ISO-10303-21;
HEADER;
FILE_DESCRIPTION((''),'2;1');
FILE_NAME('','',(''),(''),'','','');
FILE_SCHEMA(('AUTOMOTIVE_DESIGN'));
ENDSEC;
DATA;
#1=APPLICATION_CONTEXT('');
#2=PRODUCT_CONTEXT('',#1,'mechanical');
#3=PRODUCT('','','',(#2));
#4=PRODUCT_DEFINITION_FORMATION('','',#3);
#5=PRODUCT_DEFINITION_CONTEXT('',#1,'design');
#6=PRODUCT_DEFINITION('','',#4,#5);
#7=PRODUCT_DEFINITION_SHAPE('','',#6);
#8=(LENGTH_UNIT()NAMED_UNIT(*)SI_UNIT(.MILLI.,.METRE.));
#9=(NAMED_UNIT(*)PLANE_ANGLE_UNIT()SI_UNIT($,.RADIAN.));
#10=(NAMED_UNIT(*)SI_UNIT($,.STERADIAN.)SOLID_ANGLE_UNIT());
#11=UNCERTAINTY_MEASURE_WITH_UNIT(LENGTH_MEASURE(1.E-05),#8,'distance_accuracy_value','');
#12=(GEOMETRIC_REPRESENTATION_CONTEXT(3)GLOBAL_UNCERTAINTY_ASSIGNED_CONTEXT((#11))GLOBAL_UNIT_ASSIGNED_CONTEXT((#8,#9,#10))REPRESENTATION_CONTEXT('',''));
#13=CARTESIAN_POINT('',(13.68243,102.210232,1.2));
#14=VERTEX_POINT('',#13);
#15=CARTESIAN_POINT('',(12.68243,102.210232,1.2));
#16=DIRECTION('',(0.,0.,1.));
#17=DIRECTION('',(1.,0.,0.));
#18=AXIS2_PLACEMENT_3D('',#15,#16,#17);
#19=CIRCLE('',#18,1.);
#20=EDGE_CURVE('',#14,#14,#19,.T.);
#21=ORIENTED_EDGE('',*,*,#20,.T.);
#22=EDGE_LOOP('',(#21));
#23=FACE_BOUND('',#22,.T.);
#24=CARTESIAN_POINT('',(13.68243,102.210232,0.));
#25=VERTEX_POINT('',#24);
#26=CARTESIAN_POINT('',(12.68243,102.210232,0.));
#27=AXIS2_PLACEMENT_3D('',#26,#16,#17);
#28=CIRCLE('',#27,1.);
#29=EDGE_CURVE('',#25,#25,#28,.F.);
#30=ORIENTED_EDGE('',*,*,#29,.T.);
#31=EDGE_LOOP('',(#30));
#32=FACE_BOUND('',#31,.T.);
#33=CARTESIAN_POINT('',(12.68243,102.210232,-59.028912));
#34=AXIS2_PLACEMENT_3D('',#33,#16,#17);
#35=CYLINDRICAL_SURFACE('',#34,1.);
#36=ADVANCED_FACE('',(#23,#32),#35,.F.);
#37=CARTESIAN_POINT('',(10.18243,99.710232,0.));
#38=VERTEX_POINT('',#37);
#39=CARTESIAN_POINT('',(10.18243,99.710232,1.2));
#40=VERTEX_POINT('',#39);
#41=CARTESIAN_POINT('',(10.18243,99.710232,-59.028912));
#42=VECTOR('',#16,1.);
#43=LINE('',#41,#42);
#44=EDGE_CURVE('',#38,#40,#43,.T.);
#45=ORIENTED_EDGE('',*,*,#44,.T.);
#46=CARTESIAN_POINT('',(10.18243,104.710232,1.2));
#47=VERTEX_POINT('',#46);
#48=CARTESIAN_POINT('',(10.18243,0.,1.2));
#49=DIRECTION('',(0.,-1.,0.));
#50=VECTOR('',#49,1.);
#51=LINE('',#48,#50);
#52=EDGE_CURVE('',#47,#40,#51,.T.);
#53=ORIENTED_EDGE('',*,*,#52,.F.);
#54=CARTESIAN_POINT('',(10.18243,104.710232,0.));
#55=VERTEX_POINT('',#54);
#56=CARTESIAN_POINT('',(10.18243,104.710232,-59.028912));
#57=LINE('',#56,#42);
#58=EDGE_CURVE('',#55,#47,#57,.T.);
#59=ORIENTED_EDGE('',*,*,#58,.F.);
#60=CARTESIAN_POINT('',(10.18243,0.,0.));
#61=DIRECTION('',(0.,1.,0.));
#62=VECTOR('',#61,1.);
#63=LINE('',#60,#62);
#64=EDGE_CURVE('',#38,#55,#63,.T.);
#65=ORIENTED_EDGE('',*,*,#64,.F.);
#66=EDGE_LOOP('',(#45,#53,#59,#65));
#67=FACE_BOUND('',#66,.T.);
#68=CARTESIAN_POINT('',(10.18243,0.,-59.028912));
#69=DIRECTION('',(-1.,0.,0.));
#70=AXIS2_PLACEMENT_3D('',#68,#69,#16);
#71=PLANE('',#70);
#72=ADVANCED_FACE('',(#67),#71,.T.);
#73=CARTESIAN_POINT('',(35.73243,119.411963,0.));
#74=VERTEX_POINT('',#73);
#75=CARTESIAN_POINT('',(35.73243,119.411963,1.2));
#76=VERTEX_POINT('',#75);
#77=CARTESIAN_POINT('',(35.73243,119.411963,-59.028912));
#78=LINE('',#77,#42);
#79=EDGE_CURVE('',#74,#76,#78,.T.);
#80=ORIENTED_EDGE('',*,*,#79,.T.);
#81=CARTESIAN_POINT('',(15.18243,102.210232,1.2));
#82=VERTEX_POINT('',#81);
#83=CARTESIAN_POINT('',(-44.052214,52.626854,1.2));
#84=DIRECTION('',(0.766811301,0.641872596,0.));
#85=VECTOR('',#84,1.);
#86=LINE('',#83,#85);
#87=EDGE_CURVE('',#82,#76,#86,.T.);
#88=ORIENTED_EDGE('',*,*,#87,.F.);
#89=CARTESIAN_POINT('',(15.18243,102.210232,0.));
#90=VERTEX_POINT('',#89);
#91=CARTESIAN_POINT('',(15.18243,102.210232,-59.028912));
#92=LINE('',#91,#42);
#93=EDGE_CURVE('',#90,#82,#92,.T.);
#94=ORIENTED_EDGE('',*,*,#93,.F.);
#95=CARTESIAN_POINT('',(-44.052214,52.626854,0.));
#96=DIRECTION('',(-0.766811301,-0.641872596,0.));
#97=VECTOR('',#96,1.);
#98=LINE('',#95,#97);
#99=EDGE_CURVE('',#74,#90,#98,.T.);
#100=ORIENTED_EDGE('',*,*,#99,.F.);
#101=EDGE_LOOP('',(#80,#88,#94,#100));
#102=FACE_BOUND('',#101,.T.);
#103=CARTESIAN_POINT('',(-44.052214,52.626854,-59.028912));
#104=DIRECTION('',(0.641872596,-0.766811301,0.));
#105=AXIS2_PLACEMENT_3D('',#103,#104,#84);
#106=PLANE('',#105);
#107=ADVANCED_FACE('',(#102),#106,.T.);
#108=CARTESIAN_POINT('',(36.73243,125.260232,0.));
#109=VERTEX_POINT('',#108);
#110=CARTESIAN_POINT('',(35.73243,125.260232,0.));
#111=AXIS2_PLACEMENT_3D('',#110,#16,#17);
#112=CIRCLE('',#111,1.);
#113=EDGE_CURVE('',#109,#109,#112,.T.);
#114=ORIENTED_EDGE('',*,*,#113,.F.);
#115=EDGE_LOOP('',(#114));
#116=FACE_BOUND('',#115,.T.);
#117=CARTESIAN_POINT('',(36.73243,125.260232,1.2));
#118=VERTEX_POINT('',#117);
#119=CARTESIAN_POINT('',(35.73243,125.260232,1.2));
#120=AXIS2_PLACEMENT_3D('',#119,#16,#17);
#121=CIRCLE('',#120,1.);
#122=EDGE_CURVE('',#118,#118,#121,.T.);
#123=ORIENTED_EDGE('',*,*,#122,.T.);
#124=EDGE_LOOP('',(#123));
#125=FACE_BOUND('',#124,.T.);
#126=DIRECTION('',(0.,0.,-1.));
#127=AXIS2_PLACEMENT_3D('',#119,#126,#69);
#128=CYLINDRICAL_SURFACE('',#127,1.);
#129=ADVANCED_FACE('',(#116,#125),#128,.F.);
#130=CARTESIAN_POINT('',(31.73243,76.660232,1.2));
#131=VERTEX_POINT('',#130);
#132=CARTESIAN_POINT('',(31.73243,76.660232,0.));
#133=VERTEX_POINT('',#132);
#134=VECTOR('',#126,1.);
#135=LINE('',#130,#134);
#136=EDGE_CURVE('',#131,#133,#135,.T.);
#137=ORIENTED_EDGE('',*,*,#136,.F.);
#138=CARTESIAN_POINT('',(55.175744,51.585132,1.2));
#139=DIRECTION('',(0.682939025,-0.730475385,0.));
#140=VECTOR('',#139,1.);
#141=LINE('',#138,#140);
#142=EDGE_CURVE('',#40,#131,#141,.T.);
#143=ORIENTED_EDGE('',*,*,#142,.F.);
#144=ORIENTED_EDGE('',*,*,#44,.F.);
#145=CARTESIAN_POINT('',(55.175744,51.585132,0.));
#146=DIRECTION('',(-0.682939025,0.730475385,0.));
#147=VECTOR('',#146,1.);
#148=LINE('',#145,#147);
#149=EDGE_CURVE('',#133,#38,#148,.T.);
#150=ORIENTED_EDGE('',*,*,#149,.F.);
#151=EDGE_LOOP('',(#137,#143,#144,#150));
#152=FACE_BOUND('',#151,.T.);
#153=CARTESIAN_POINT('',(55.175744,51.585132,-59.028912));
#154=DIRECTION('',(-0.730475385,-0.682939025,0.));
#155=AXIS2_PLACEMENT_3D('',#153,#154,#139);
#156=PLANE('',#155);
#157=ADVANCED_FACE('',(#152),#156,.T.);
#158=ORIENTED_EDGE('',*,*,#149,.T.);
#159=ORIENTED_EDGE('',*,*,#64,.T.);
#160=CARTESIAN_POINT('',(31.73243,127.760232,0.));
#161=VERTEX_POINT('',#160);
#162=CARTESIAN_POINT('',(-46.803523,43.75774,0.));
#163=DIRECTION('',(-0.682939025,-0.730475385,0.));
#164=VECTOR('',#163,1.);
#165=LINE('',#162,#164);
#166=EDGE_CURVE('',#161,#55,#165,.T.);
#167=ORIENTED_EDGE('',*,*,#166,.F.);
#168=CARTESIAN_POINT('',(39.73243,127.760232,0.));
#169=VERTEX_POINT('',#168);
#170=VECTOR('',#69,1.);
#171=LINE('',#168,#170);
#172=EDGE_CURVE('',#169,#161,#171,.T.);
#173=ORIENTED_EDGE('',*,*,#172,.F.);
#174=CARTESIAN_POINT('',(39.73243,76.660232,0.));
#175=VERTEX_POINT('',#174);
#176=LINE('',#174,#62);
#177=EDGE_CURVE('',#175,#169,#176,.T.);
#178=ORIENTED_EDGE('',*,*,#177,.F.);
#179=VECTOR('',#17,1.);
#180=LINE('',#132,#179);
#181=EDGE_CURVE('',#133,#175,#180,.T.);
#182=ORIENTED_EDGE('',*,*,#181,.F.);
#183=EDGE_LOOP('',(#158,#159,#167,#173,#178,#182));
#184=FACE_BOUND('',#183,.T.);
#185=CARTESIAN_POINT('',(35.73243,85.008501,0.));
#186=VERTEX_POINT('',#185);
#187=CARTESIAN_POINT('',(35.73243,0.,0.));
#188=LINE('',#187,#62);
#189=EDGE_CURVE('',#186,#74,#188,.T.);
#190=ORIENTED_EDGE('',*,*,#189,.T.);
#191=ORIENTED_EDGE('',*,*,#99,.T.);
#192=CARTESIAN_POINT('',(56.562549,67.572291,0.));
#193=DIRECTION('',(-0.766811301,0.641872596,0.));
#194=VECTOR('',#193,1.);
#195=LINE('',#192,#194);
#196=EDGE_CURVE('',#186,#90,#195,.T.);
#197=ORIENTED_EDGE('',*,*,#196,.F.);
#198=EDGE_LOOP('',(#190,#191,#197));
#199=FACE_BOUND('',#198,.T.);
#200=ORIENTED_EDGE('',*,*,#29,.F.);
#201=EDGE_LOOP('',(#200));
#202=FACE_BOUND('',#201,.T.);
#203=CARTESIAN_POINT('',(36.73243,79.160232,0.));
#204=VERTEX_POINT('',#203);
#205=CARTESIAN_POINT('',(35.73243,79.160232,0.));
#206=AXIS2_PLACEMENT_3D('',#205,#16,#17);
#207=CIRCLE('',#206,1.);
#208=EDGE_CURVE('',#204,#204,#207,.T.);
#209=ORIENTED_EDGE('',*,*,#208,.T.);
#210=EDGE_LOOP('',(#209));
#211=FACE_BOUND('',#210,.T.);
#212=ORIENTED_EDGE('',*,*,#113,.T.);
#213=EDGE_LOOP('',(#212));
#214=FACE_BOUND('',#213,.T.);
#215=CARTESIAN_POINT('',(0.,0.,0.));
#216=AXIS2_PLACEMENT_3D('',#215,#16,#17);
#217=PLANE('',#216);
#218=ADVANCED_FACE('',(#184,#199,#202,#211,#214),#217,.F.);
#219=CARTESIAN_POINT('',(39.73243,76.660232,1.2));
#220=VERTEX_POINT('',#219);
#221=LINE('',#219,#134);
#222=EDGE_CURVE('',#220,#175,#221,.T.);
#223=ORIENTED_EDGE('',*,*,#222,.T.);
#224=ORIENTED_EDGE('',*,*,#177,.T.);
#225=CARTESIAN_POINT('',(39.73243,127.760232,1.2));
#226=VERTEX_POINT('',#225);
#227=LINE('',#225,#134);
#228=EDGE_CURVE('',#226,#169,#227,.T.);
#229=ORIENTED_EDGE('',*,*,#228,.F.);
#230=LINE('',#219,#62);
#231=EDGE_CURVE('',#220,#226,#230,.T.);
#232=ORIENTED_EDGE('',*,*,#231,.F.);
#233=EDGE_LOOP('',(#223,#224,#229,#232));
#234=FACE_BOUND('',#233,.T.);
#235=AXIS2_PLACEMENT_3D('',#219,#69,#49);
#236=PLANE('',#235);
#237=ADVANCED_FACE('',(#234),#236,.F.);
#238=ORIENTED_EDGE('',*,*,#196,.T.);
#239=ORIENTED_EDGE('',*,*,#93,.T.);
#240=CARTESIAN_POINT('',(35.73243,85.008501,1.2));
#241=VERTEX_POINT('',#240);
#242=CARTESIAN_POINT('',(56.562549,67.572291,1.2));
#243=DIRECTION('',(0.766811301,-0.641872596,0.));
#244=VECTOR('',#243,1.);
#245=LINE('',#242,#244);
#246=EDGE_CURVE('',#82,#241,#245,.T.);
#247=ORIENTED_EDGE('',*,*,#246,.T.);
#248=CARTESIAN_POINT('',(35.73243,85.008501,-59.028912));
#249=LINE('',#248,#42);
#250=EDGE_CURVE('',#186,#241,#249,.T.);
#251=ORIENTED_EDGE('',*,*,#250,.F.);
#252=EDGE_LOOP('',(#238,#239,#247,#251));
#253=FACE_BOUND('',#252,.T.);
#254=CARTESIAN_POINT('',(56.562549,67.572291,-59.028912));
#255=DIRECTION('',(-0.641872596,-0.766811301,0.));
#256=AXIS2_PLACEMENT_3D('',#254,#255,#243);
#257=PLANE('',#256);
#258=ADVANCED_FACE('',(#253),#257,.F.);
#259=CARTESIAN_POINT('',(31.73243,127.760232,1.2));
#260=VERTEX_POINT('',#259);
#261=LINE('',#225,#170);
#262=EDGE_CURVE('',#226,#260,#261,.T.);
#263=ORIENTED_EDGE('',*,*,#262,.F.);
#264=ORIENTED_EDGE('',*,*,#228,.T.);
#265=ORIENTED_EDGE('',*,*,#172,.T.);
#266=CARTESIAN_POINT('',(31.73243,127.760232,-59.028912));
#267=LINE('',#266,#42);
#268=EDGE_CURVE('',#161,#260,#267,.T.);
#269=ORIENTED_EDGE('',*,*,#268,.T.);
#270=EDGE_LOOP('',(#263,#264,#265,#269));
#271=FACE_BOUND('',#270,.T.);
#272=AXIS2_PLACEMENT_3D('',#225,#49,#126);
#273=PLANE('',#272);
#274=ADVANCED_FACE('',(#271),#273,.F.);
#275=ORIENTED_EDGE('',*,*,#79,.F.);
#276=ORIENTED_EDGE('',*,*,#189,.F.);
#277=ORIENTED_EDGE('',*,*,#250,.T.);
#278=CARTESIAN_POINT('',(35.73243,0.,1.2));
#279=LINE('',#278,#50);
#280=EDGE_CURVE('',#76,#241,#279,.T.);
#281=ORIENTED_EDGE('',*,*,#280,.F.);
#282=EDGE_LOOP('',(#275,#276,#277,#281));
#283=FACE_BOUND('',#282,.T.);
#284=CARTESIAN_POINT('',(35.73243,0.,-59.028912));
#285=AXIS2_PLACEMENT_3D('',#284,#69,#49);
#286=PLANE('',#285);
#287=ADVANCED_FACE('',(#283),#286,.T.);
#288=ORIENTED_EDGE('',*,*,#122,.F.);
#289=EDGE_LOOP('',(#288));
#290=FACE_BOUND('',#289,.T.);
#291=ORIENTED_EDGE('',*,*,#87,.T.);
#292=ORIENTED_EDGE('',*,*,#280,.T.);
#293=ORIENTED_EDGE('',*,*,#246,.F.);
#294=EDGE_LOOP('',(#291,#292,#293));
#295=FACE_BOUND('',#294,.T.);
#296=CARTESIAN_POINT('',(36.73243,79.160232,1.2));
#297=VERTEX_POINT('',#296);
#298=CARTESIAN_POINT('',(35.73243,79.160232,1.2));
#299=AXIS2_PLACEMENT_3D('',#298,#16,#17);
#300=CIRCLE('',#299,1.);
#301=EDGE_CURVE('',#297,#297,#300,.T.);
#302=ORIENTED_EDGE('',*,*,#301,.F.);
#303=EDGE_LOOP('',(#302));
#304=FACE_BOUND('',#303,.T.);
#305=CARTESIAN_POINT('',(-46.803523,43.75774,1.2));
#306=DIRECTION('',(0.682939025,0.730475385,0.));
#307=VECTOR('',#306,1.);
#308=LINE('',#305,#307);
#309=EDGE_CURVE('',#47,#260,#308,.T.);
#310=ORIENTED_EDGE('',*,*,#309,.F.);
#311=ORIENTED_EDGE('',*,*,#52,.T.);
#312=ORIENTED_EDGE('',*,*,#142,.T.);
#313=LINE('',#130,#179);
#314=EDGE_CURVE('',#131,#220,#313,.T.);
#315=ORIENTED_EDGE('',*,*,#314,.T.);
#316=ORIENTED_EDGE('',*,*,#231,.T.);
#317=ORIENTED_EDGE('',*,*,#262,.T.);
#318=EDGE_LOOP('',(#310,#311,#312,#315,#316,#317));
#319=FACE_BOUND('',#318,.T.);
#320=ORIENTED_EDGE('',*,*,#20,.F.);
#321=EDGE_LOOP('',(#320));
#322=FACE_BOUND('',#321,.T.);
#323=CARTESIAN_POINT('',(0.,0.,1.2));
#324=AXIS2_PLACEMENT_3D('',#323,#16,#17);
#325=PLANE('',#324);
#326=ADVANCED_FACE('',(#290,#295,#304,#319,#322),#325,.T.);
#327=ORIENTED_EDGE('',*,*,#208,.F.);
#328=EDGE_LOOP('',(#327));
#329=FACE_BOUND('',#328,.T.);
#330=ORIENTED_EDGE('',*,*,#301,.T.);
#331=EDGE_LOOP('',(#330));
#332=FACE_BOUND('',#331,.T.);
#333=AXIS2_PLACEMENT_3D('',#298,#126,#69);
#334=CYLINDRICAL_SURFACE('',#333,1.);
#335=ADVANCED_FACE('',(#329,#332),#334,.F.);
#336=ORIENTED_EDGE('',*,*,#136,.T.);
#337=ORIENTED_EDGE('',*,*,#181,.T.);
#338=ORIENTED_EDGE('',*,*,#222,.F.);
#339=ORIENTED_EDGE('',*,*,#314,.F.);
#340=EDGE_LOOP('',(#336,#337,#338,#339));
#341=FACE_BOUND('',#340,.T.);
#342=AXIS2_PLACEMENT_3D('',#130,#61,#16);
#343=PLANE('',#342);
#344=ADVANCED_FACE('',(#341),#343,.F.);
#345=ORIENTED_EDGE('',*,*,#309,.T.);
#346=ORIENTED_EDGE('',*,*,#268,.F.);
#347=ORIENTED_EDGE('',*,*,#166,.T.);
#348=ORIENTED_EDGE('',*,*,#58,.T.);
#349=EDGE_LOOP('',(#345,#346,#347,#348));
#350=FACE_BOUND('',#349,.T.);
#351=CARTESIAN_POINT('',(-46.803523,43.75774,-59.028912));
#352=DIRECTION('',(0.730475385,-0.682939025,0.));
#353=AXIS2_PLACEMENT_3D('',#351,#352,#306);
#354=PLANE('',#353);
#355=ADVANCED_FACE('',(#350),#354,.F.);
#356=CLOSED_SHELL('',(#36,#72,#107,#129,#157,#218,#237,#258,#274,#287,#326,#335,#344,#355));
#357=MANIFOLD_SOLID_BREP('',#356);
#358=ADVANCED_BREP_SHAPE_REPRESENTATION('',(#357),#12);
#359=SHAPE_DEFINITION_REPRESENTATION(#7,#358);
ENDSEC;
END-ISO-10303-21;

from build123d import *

# Parameters (mm, degrees)
SKETCH1_W             = 8
SKETCH1_H             = 5
SKETCH1_R             = 1
BOSS_EXTRUDE1_DEPTH   = 1.2
SKETCH1_W_2           = 5
BOSS_EXTRUDE1_2_DEPTH = 1.2
BOSS_EXTRUDE1_3_DEPTH = 1.2
SKETCH2_W             = 5
SKETCH2_H             = 5
SKETCH2_R             = 1
BOSS_EXTRUDE4_DEPTH   = 1.2


with BuildPart() as part:
    # Sketch1 → Boss-Extrude1 (new body)
    with BuildSketch(Plane.XY):
        with Locations((35.73242964, 79.160231922)):
            Rectangle(SKETCH1_W, SKETCH1_H)
        with Locations((35.73242964, 79.160231922)):
            Circle(SKETCH1_R, mode=Mode.SUBTRACT)
    extrude(amount=BOSS_EXTRUDE1_DEPTH)



with BuildPart() as body_2:
    # Sketch1 → Boss-Extrude1 2 (new body)
    with BuildSketch(Plane.XY):
        with Locations((12.68242964, 102.210231922)):
            Rectangle(SKETCH1_W_2, SKETCH1_H)
        with Locations((12.68242964, 102.210231922)):
            Circle(SKETCH1_R, mode=Mode.SUBTRACT)
    extrude(amount=BOSS_EXTRUDE1_2_DEPTH)


with BuildPart() as body_3:
    # Sketch1 → Boss-Extrude1 3 (new body)
    with BuildSketch(Plane.XY):
        with Locations((35.73242964, 125.260231922)):
            Rectangle(SKETCH1_W, SKETCH1_H)
        with Locations((35.73242964, 125.260231922)):
            Circle(SKETCH1_R, mode=Mode.SUBTRACT)
    extrude(amount=BOSS_EXTRUDE1_3_DEPTH)


with BuildPart() as part_1:
    add(part.part)

    add(body_2.part)  # Boss-Extrude4 merges body 2

    add(body_3.part)  # Boss-Extrude4 merges body 3
    # Sketch2 → Boss-Extrude4 (add)
    # profile 1 of 6: a face of its own
    with BuildSketch(Plane.XY.offset(1.2)):
        Polygon((15.18242964, 99.710231922), (10.18242964, 99.710231922), (31.73242964, 76.660231922), (31.73242964, 81.660231922), (35.73242964, 81.660231922), (35.73242964, 85.008500761), (15.18242964, 102.210231922), align=None)
    # profile 2 of 6: a face of its own
    with BuildSketch(Plane.XY.offset(1.2)):
        Polygon((31.73242964, 127.760231922), (10.18242964, 104.710231922), (15.18242964, 104.710231922), (15.18242964, 102.210231922), (35.73242964, 119.411963083), (35.73242964, 122.760231922), (31.73242964, 122.760231922), align=None)
    # profile 3 of 6: a face of its own
    with BuildSketch(Plane.XY.offset(1.2)):
        with Locations((12.68242964, 102.210231922)):
            Rectangle(SKETCH2_W, SKETCH2_H)
        with Locations((12.68242964, 102.210231922)):
            Circle(SKETCH2_R, mode=Mode.SUBTRACT)
    # profile 4 of 6: a face of its own
    with BuildSketch(Plane.XY.offset(1.2)):
        Polygon((35.73242964, 119.411963083), (35.73242964, 85.008500761), (39.73242964, 81.660231922), (39.73242964, 122.760231922), align=None)
    # profile 5 of 6: a face of its own
    with BuildSketch(Plane.XY.offset(1.2)):
        Polygon((35.73242964, 122.760231922), (35.73242964, 119.411963083), (39.73242964, 122.760231922), align=None)
    # profile 6 of 6: a face of its own
    with BuildSketch(Plane.XY.offset(1.2)):
        Polygon((35.73242964, 85.008500761), (35.73242964, 81.660231922), (39.73242964, 81.660231922), align=None)
    extrude(amount=-BOSS_EXTRUDE4_DEPTH)


solid = part_1.part
